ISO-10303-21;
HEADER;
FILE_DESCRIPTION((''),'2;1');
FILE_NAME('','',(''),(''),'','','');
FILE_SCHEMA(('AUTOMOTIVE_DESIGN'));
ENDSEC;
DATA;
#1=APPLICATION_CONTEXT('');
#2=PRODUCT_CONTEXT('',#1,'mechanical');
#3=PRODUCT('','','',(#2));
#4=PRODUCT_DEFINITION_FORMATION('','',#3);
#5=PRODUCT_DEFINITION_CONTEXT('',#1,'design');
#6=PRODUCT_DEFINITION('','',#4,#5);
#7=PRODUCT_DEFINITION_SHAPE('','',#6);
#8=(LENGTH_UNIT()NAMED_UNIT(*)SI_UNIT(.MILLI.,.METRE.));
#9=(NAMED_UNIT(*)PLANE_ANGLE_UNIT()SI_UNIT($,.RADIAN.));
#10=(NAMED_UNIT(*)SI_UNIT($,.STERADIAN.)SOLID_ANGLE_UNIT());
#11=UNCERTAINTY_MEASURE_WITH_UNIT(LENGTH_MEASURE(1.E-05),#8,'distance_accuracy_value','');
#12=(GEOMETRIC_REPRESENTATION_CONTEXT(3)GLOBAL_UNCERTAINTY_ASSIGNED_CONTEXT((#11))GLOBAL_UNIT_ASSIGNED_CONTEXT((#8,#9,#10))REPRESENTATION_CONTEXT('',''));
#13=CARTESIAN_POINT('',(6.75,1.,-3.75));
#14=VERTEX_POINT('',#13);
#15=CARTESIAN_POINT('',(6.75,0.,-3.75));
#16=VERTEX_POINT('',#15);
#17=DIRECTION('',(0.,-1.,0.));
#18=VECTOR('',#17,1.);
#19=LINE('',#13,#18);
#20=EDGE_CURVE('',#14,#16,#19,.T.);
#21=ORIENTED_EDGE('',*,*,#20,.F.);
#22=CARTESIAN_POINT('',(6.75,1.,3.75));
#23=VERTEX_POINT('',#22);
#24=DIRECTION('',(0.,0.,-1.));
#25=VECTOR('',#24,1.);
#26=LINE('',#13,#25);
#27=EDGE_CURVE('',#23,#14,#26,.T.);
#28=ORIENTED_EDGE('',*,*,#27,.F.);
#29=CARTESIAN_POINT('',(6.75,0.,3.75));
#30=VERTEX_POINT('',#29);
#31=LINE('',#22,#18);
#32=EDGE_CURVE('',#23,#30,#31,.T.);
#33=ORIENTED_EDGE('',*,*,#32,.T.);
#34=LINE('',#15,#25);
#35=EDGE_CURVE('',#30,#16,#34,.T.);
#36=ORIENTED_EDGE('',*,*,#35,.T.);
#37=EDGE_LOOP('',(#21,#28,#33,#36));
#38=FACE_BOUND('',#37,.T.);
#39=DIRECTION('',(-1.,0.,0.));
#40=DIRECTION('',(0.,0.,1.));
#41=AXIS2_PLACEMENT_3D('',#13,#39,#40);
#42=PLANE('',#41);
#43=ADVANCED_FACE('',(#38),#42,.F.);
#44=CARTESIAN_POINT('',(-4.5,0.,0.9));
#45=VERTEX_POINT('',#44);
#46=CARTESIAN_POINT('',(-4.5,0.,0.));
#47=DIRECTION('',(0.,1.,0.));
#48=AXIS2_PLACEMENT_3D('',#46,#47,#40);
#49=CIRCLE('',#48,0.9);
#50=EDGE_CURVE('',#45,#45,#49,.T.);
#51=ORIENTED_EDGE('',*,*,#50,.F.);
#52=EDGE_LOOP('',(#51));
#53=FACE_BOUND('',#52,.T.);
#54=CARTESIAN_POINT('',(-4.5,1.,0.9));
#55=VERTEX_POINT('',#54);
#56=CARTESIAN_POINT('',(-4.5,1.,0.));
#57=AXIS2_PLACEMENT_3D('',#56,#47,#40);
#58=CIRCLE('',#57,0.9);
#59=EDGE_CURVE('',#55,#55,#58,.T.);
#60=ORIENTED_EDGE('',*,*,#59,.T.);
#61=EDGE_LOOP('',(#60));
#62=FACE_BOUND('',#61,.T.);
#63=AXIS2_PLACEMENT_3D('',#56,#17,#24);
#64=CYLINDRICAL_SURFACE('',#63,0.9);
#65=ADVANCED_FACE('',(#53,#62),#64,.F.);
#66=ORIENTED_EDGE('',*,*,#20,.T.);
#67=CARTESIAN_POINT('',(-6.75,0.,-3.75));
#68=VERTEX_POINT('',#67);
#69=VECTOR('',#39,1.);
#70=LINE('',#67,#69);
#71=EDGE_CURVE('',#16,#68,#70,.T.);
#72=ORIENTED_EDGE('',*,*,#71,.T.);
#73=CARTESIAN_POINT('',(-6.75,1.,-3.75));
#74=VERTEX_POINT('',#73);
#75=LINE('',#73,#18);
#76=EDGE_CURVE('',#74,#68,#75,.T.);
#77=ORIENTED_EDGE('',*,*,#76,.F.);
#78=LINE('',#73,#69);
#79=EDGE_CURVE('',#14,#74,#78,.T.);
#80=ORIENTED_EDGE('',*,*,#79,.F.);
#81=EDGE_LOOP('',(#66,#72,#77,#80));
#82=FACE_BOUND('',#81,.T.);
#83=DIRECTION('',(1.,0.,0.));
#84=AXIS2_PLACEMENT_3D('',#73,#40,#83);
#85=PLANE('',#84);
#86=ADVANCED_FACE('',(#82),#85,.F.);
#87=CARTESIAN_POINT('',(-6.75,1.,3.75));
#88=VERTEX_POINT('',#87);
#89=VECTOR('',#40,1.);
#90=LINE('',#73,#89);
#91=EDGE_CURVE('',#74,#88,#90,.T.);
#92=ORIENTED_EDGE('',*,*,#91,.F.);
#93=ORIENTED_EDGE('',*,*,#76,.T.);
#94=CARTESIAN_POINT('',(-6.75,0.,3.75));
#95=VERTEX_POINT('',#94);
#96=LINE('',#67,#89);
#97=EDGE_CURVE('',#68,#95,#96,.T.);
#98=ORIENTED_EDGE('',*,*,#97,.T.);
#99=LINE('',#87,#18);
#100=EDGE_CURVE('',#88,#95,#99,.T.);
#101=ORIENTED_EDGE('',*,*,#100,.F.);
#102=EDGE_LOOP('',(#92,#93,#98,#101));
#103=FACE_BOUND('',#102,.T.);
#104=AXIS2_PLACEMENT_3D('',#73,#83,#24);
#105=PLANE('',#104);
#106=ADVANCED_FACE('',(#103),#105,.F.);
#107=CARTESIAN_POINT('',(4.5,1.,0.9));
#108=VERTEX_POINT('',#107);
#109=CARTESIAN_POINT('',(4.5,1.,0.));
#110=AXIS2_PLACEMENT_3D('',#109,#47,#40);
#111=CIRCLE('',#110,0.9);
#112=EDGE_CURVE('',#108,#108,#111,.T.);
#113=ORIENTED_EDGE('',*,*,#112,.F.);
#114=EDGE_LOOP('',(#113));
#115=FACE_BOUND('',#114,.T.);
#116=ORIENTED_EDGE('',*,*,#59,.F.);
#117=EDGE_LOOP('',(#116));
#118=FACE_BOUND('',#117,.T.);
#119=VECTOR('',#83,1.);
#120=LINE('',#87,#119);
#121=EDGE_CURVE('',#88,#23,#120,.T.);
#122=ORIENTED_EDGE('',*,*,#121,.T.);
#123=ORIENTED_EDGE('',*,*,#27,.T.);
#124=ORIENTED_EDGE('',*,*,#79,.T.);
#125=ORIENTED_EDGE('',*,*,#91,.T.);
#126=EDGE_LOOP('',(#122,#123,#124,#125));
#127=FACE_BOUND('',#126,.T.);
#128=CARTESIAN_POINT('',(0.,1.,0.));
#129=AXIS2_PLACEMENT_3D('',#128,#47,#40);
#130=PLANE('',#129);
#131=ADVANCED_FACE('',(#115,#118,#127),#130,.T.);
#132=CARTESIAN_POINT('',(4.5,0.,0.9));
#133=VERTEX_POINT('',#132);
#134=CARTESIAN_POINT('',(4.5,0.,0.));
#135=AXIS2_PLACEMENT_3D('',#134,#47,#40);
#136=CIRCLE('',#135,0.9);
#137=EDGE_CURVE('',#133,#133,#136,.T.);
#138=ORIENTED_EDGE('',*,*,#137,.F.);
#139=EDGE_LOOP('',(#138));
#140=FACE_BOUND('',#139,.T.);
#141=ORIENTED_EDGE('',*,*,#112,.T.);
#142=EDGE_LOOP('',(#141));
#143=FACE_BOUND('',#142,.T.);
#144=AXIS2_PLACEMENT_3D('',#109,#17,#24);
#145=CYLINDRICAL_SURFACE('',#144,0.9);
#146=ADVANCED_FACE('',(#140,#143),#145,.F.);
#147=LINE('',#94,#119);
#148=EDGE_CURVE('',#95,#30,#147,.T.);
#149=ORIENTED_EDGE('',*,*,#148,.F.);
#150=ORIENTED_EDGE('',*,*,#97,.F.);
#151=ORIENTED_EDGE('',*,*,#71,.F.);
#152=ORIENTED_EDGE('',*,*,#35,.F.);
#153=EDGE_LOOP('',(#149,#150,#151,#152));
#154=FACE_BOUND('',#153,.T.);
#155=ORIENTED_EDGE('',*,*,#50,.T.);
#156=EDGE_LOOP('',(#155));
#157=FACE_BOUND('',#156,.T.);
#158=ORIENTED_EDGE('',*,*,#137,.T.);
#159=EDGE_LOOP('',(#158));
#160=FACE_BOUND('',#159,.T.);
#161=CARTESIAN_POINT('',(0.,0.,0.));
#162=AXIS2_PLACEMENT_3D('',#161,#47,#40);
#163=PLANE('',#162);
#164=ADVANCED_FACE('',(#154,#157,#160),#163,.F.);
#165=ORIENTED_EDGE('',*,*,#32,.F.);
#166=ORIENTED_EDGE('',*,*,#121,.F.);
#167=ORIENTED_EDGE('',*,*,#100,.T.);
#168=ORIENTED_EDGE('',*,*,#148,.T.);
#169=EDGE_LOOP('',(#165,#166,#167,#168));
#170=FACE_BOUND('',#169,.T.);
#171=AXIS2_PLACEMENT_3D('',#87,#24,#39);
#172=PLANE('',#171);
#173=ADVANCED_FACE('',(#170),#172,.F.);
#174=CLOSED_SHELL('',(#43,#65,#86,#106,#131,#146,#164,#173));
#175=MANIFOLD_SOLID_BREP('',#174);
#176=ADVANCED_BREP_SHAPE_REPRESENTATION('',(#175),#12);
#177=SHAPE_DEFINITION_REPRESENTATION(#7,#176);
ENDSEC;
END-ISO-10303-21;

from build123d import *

# Parameters (mm, degrees)
ESQUISSE1_W        = 13.5
ESQUISSE1_H        = 7.5
ESQUISSE1_R        = 0.9
BOSS_EXTRU_1_DEPTH = 1


with BuildPart() as part:
    # Esquisse1 → Boss.-Extru.1 (new body)
    with BuildSketch(Plane(origin=(0, 0, 0), x_dir=(1, 0, 0), z_dir=(0, 1, 0))):
        Rectangle(ESQUISSE1_W, ESQUISSE1_H)
        with Locations(Location((-4.5, 0, 0), (0, 0, 270))):
            Circle(ESQUISSE1_R, mode=Mode.SUBTRACT)
        with Locations(Location((4.5, 0, 0), (0, 0, 270))):
            Circle(ESQUISSE1_R, mode=Mode.SUBTRACT)
    extrude(amount=BOSS_EXTRU_1_DEPTH)


solid = part.part
